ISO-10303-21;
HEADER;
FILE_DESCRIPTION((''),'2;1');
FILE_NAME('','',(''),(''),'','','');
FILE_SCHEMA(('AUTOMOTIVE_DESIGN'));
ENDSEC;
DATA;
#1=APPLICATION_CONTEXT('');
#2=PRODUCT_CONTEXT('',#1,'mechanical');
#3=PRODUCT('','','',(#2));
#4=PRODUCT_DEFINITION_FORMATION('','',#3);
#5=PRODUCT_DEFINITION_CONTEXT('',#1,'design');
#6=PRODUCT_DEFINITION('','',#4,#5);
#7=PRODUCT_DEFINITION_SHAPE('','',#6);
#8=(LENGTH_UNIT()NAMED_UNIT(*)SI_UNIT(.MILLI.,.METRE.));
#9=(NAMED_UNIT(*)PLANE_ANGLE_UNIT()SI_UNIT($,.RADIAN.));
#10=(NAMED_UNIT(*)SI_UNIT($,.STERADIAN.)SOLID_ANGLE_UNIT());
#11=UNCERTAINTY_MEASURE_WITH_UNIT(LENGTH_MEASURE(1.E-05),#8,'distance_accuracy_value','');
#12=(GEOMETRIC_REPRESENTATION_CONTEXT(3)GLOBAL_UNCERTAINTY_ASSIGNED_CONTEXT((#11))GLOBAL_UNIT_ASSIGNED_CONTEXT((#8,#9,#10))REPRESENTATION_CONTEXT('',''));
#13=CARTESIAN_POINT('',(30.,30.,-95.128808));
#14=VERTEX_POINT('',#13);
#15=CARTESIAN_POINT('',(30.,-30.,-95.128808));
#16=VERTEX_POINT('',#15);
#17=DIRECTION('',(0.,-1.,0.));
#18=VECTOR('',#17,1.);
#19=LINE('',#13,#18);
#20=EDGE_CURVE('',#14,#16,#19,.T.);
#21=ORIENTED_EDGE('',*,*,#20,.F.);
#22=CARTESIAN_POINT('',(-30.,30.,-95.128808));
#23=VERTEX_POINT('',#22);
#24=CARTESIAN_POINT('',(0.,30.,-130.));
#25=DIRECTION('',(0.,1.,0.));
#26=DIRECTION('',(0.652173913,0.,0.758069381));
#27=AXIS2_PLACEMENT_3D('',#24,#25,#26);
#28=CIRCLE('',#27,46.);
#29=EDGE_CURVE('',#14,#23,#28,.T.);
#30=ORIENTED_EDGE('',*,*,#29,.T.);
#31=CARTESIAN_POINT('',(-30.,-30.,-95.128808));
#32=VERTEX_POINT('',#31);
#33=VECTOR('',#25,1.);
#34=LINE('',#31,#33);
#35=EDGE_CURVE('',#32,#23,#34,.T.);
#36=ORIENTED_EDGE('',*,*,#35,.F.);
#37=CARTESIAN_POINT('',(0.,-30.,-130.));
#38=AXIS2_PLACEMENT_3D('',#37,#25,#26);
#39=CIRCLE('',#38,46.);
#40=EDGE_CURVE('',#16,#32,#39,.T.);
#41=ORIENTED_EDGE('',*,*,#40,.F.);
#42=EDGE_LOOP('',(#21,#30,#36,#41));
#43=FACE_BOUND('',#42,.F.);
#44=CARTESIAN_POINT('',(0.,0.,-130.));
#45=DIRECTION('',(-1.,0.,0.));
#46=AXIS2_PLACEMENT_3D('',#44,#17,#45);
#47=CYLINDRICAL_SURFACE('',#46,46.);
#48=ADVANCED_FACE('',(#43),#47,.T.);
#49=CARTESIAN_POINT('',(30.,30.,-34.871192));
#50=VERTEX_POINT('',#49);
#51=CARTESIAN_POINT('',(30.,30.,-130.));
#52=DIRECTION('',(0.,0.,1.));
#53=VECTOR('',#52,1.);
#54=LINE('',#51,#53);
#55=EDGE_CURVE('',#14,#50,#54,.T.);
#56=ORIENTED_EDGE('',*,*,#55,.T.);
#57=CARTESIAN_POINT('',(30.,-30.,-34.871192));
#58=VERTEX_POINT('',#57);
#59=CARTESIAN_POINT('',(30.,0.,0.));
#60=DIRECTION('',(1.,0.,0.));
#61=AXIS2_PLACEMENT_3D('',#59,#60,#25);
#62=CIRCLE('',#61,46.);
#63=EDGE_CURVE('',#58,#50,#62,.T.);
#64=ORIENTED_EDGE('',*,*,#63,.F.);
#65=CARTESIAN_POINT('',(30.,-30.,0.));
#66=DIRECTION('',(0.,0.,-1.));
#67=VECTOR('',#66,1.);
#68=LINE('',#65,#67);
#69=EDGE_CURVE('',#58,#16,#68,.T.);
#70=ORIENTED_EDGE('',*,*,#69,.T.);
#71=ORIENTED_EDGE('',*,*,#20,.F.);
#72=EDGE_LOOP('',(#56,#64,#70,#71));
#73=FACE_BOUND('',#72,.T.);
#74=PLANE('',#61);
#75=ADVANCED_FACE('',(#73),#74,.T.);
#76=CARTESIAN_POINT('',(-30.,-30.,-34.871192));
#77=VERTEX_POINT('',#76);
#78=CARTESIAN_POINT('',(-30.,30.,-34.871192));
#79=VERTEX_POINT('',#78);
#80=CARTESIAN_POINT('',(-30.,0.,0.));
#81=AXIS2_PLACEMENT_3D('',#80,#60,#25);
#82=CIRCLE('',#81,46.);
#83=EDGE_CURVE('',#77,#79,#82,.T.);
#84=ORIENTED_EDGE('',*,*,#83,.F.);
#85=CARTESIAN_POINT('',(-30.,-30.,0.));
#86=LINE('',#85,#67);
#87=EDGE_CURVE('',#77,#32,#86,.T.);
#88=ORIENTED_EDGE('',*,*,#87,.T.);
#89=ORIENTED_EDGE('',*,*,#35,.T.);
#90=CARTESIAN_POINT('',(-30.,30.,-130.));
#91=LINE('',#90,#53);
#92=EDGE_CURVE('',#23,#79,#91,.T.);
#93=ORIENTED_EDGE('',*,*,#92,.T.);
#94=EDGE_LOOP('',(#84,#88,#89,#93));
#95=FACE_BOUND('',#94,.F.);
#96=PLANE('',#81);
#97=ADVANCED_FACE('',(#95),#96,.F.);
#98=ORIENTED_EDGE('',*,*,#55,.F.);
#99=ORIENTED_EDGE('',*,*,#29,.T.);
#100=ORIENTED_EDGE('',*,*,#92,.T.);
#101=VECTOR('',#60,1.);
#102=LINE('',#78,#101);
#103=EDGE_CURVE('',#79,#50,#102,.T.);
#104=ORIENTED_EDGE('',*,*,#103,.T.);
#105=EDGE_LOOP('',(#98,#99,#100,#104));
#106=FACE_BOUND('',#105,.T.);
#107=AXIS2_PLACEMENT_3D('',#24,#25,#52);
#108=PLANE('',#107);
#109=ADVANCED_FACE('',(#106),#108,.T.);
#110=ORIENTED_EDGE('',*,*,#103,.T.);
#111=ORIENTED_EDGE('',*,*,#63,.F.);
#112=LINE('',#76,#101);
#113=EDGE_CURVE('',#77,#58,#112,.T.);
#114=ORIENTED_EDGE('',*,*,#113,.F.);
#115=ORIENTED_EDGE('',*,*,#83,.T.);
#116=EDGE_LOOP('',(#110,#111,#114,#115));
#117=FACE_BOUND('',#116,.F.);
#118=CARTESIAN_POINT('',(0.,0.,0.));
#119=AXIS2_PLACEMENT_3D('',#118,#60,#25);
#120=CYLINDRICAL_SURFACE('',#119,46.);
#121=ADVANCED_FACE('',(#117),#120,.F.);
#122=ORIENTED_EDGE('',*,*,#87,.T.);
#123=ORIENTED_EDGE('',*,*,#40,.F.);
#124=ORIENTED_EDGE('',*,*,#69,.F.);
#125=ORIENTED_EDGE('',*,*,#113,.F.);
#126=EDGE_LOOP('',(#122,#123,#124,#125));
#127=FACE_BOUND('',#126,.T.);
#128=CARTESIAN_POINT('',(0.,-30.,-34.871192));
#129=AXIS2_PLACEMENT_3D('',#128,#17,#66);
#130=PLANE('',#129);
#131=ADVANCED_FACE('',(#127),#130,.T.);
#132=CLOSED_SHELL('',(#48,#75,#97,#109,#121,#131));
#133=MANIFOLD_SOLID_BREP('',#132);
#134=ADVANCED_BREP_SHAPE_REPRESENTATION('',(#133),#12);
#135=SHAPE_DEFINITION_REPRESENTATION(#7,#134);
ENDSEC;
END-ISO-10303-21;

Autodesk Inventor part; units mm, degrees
ref_plane "YZ Plane" through (0, 0, 0) normal (1, 0, 0) x (0, 1, 0)
ref_plane "XZ Plane" through (0, 0, 0) normal (0, 1, 0) x (-1, 0, 0)
sketch "Sketch1" plane through (0, 0, 0) normal (1, 0, 0) x (0, 1, 0)
  circle A0 centre (0, 0) radius 30
  line L0 (-30, 0) -> (-30, -130)
  line L1 (-30, -130) -> (30, -130)
  line L2 (30, -130) -> (30, 0)
  circle A1 centre (0, 0) radius 46
  line L3 (0, -56) -> (15, -56)
  line L4 (15, -56) -> (15, -85)
  line L5 (15, -85) -> (0, -85)
  line L6 (0, -85) -> (0, -56)
  point P0 (30, -34.8712)
  point P1 (-30, -34.8712)
  point P2 (0, -46)
  dimension "d16" = 92
  dimension "d0" = 60
  dimension "d1" = 130
  dimension "d18" = 30
  dimension "d19" = 45
  dimension "d20" = 10
  dimension "d21" = 29
extrude "Extrusion1" add sketch "Sketch1" along normal mid plane 60 contours L2 L1 L0 A1 | L3 L4 L5 L6
sketch "Sketch2" plane through (0, 0, 0) normal (0, 1, 0) x (-1, 0, 0)
  line L0 (-30, -130) -> (30, -130) projected
  circle A0 centre (0, -130) radius 46
  point P0 (0, 0)
  dimension "d4" = 92
extrude "Extrusion2" add sketch "Sketch2" along normal mid plane 60
ref_plane "Work Plane1" through (0, 0, -84) normal (0, 0, 1) x (1, 0, 0)
sketch "Sketch3" plane through (0, 0, -84) normal (0, 0, 1) x (1, 0, 0)
  circle A0 centre (0, 0) radius 10
  dimension "d13" = 20
properties part number "thigh"
